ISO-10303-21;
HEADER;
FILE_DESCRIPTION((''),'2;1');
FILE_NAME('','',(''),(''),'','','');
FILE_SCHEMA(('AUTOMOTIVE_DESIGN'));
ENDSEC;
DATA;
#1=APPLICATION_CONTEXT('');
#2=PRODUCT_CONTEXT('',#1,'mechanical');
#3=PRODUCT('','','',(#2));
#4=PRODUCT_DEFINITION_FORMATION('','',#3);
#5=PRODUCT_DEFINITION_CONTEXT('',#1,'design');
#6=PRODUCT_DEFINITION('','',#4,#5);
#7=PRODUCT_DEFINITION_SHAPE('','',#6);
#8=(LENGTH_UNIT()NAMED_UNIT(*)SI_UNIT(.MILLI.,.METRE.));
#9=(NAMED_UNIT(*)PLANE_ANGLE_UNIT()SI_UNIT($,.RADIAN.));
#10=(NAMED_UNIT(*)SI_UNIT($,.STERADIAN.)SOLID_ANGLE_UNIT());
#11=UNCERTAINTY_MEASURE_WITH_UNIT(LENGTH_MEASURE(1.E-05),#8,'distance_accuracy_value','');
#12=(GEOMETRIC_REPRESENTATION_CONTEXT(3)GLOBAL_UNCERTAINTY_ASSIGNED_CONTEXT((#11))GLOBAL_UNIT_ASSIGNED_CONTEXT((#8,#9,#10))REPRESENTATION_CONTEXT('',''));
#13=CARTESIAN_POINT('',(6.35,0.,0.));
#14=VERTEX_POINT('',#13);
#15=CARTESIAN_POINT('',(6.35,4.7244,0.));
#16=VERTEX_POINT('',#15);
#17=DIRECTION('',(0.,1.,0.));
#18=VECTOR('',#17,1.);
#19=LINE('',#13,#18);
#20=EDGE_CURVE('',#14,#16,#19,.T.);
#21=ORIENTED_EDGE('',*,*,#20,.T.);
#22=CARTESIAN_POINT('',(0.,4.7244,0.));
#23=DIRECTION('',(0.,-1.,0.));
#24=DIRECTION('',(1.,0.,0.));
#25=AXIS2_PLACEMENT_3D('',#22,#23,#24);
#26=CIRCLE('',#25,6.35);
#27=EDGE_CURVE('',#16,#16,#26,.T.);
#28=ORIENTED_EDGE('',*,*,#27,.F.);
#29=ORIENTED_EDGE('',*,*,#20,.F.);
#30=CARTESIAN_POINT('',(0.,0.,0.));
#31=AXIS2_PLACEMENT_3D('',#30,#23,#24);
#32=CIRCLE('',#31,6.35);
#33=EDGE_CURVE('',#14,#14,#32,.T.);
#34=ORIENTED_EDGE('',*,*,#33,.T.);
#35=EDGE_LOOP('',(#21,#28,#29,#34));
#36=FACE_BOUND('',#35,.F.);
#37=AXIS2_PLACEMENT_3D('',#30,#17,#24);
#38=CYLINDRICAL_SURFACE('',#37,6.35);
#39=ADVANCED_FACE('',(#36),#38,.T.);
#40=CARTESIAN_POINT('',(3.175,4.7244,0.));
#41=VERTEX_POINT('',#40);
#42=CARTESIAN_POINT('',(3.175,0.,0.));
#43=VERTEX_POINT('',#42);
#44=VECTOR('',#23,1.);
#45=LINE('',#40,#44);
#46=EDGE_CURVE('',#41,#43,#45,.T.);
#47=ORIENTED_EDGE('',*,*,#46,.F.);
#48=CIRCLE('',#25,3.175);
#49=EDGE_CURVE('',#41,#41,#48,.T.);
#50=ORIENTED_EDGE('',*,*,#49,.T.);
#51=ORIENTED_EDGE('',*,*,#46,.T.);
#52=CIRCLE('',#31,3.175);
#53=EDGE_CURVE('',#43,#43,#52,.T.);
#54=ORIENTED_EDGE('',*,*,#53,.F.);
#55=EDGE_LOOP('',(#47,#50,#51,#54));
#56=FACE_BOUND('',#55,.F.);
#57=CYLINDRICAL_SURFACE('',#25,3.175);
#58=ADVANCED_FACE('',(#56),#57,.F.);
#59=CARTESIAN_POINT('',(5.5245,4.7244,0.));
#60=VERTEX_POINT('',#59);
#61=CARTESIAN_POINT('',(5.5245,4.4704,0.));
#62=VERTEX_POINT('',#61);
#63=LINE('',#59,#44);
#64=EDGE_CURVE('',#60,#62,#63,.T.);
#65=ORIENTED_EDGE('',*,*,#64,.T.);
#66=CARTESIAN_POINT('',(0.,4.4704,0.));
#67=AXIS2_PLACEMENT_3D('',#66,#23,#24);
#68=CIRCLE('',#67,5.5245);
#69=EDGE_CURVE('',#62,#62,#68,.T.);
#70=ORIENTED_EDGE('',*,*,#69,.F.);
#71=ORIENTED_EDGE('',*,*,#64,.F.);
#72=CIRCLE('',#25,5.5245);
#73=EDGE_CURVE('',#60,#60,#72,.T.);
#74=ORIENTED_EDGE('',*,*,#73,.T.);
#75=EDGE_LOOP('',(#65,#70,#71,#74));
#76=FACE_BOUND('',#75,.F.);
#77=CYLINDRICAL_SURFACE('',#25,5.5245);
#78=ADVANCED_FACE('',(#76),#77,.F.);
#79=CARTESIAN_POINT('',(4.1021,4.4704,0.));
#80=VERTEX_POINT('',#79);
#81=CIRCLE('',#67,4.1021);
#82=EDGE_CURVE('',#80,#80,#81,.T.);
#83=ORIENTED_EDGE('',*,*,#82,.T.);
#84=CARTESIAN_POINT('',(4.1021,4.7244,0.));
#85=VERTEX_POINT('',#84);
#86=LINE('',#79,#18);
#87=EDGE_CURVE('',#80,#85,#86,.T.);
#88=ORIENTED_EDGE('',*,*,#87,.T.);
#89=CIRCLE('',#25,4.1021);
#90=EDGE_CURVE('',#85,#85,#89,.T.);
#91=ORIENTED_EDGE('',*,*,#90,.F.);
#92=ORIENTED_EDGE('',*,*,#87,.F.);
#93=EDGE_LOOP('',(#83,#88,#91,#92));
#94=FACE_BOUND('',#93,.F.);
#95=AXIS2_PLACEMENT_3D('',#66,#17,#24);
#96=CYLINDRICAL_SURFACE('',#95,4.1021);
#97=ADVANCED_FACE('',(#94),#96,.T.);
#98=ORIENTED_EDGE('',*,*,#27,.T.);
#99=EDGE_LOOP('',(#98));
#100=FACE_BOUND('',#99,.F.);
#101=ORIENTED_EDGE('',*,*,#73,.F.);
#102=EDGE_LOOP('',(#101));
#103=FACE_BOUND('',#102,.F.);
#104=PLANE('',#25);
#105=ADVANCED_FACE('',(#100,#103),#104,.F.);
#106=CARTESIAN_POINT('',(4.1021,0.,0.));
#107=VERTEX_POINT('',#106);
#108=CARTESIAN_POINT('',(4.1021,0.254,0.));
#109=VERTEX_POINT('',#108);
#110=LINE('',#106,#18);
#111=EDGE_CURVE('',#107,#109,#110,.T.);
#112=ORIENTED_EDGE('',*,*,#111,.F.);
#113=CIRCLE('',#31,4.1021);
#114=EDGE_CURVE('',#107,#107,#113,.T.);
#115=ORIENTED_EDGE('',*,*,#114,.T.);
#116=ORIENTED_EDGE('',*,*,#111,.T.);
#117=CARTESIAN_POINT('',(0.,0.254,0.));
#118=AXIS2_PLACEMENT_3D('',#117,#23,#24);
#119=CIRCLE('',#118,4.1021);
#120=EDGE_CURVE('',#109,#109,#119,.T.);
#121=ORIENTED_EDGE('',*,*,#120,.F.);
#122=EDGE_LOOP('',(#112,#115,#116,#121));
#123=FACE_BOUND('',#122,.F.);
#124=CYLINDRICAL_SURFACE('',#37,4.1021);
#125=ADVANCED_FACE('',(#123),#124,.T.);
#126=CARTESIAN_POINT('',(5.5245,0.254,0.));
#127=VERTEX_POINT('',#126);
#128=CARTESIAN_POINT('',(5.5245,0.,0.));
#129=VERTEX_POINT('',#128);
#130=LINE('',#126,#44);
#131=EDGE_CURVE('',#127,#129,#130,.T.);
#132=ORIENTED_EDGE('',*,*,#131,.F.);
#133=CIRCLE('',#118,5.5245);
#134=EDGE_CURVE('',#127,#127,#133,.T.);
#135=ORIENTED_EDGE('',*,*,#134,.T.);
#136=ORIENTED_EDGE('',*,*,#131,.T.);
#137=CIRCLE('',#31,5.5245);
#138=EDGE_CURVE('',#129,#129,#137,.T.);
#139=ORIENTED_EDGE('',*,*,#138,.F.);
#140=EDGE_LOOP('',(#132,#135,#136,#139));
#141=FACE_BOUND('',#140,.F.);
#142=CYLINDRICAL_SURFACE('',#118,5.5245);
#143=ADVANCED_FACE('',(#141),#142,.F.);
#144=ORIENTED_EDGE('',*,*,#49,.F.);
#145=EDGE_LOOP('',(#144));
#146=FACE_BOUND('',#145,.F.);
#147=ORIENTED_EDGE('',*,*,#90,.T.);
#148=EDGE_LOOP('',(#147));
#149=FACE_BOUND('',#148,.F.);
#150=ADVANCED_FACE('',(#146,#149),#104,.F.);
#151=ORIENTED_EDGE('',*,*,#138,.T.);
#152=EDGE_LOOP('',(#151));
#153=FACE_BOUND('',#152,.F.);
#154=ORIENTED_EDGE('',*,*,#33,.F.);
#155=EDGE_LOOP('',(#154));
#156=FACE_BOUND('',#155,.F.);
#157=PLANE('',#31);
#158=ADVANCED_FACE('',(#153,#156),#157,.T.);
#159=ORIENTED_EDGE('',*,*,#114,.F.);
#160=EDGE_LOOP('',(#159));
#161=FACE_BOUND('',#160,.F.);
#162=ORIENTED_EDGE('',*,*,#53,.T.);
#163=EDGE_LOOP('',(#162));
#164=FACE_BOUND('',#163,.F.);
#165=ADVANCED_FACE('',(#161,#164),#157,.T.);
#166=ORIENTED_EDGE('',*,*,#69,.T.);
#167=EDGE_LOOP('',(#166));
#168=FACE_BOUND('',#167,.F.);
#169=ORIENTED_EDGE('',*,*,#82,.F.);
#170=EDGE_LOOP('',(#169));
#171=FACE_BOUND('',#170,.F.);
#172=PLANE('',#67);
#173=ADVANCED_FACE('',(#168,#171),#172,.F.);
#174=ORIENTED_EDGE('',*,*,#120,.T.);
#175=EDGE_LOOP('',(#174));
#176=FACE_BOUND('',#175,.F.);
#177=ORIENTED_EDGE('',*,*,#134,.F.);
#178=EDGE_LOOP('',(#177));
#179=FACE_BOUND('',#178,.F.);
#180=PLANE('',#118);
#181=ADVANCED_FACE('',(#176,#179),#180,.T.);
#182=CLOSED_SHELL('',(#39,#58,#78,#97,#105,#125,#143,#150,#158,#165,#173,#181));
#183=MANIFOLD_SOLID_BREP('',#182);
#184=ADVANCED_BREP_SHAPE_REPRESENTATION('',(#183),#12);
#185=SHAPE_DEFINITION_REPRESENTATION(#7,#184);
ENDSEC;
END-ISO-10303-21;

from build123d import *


with BuildPart() as part:
    # Sketch1 → Revolve1 (revolve)
    with BuildSketch(Plane.XY):
        Polygon((4.1021, 4.7244), (3.175, 4.7244), (3.175, 0), (4.1021, 0), (4.1021, 0.254), (5.5245, 0.254), (5.5245, 0), (6.35, 0), (6.35, 4.7244), (5.5245, 4.7244), (5.5245, 4.4704), (4.1021, 4.4704), align=None)
    revolve(axis=Axis((0, 4.7244, 0), (0, -1, 0)))


solid = part.part
